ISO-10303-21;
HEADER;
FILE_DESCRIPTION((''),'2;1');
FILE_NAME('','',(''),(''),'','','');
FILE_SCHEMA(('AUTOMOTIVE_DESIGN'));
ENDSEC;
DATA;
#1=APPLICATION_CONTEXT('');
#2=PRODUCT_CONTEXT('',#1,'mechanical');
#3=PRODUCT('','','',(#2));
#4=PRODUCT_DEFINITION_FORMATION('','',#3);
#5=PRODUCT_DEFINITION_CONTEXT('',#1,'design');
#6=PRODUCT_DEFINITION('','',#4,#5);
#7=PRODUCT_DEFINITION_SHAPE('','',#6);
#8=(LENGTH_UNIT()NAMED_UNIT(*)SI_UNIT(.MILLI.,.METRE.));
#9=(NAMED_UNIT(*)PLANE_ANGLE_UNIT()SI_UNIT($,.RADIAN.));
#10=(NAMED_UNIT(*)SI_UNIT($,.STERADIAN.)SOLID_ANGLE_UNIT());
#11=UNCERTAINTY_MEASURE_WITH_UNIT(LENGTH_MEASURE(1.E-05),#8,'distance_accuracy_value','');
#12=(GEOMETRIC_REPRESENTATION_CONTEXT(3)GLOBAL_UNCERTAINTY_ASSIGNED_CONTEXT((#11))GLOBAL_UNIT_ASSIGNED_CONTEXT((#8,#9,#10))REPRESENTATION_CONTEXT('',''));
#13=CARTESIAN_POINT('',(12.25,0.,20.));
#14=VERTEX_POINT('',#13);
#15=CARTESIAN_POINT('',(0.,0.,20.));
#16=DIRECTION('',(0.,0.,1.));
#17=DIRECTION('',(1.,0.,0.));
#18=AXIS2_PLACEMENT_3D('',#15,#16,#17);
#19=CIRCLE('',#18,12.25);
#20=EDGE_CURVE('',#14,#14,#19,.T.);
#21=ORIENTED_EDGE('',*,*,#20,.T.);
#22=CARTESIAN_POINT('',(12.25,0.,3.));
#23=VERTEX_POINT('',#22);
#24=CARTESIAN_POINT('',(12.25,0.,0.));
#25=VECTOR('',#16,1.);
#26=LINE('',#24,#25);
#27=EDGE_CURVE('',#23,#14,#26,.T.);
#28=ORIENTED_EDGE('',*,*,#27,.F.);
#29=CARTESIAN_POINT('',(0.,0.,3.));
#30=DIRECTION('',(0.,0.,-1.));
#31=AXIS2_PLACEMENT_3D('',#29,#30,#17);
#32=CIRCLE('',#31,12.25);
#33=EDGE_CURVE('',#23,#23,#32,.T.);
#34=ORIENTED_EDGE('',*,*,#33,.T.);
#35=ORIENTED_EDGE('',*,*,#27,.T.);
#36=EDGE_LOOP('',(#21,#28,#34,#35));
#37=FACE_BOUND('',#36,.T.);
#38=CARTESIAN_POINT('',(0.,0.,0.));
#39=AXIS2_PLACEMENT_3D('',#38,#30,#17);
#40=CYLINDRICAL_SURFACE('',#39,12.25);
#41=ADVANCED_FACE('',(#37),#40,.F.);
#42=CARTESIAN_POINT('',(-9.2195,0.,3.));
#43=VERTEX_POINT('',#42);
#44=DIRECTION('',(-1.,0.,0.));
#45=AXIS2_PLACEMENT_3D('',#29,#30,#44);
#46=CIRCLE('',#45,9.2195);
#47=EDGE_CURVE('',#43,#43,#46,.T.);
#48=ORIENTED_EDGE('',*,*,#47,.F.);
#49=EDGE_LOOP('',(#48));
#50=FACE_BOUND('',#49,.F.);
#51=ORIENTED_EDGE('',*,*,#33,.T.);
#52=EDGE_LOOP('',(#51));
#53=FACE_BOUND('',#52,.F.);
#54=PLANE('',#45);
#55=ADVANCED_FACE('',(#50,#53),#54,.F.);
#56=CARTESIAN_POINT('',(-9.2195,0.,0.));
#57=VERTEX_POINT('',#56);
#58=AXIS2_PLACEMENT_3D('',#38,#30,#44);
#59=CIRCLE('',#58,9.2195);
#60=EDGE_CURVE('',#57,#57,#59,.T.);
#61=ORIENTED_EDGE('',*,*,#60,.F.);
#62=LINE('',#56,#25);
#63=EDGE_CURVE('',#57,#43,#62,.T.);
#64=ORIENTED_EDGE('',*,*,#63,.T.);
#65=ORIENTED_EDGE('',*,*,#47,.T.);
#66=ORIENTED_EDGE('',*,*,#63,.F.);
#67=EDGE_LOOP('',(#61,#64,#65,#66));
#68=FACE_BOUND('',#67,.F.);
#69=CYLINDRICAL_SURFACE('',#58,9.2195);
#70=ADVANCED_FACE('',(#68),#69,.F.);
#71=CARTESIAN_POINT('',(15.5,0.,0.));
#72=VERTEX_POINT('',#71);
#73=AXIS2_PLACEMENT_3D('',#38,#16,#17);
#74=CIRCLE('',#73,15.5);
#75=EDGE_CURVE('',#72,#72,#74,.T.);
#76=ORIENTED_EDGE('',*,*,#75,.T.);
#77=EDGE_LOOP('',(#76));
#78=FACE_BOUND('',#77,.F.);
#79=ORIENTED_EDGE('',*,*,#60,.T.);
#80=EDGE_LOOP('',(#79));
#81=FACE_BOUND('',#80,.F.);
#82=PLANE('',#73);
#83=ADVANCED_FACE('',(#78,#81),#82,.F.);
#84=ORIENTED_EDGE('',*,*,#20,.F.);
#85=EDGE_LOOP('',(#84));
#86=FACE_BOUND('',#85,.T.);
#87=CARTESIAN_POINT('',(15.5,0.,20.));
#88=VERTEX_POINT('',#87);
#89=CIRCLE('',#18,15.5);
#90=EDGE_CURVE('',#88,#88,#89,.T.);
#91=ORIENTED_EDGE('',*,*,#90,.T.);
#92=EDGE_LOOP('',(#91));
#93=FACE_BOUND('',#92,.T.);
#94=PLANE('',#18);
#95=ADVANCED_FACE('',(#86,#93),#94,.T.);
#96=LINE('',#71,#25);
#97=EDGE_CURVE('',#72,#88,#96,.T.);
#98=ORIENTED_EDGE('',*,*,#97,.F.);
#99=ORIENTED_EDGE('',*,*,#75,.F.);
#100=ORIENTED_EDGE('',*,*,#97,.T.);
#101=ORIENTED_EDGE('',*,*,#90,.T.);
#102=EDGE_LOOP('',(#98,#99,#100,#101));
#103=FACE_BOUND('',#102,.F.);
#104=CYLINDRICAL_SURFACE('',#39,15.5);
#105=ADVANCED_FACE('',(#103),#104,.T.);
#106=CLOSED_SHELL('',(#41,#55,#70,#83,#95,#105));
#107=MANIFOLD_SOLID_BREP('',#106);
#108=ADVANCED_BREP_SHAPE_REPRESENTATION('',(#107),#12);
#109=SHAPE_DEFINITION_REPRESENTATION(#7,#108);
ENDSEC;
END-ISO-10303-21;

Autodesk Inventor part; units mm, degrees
ref_plane "YZ Plane" through (0, 0, 0) normal (1, 0, 0) x (0, 1, 0)
ref_plane "XZ Plane" through (0, 0, 0) normal (0, 1, 0) x (-1, 0, 0)
ref_plane "XY Plane" through (0, 0, 0) normal (0, 0, 1) x (1, 0, 0)
sketch "Sketch1" plane through (0, 0, 0) normal (0, 0, 1) x (1, 0, 0)
  circle A0 centre (0, 0) radius 12.25
  circle A1 centre (0, 0) radius 15.5
  dimension "d0" = 24.5
  dimension "d2" = 31
extrude "Extrusion1" add sketch "Sketch1" along normal blind 20
sketch "Sketch2" plane through (0, 0, 0) normal (0, 0, -1) x (-1, 0, 0)
  circle A0 centre (0, 0) radius 12.25 projected
  circle A1 centre (0, 0) radius 9.2195
  dimension "d6" = 18.4391
extrude "Extrusion2" add sketch "Sketch2" against normal blind 3
sketch "Sketch3" plane through (0, 0, 20) normal (0, 0, 1) x (1, 0, 0)
  circle A0 centre (0, 0) radius 12.25 projected
sketch "Sketch5" plane through (0, 0, 3) normal (0, 0, 1) x (1, 0, 0)
  circle A0 centre (0, 0) radius 12.25 projected
properties part number "Roller_Outer"
